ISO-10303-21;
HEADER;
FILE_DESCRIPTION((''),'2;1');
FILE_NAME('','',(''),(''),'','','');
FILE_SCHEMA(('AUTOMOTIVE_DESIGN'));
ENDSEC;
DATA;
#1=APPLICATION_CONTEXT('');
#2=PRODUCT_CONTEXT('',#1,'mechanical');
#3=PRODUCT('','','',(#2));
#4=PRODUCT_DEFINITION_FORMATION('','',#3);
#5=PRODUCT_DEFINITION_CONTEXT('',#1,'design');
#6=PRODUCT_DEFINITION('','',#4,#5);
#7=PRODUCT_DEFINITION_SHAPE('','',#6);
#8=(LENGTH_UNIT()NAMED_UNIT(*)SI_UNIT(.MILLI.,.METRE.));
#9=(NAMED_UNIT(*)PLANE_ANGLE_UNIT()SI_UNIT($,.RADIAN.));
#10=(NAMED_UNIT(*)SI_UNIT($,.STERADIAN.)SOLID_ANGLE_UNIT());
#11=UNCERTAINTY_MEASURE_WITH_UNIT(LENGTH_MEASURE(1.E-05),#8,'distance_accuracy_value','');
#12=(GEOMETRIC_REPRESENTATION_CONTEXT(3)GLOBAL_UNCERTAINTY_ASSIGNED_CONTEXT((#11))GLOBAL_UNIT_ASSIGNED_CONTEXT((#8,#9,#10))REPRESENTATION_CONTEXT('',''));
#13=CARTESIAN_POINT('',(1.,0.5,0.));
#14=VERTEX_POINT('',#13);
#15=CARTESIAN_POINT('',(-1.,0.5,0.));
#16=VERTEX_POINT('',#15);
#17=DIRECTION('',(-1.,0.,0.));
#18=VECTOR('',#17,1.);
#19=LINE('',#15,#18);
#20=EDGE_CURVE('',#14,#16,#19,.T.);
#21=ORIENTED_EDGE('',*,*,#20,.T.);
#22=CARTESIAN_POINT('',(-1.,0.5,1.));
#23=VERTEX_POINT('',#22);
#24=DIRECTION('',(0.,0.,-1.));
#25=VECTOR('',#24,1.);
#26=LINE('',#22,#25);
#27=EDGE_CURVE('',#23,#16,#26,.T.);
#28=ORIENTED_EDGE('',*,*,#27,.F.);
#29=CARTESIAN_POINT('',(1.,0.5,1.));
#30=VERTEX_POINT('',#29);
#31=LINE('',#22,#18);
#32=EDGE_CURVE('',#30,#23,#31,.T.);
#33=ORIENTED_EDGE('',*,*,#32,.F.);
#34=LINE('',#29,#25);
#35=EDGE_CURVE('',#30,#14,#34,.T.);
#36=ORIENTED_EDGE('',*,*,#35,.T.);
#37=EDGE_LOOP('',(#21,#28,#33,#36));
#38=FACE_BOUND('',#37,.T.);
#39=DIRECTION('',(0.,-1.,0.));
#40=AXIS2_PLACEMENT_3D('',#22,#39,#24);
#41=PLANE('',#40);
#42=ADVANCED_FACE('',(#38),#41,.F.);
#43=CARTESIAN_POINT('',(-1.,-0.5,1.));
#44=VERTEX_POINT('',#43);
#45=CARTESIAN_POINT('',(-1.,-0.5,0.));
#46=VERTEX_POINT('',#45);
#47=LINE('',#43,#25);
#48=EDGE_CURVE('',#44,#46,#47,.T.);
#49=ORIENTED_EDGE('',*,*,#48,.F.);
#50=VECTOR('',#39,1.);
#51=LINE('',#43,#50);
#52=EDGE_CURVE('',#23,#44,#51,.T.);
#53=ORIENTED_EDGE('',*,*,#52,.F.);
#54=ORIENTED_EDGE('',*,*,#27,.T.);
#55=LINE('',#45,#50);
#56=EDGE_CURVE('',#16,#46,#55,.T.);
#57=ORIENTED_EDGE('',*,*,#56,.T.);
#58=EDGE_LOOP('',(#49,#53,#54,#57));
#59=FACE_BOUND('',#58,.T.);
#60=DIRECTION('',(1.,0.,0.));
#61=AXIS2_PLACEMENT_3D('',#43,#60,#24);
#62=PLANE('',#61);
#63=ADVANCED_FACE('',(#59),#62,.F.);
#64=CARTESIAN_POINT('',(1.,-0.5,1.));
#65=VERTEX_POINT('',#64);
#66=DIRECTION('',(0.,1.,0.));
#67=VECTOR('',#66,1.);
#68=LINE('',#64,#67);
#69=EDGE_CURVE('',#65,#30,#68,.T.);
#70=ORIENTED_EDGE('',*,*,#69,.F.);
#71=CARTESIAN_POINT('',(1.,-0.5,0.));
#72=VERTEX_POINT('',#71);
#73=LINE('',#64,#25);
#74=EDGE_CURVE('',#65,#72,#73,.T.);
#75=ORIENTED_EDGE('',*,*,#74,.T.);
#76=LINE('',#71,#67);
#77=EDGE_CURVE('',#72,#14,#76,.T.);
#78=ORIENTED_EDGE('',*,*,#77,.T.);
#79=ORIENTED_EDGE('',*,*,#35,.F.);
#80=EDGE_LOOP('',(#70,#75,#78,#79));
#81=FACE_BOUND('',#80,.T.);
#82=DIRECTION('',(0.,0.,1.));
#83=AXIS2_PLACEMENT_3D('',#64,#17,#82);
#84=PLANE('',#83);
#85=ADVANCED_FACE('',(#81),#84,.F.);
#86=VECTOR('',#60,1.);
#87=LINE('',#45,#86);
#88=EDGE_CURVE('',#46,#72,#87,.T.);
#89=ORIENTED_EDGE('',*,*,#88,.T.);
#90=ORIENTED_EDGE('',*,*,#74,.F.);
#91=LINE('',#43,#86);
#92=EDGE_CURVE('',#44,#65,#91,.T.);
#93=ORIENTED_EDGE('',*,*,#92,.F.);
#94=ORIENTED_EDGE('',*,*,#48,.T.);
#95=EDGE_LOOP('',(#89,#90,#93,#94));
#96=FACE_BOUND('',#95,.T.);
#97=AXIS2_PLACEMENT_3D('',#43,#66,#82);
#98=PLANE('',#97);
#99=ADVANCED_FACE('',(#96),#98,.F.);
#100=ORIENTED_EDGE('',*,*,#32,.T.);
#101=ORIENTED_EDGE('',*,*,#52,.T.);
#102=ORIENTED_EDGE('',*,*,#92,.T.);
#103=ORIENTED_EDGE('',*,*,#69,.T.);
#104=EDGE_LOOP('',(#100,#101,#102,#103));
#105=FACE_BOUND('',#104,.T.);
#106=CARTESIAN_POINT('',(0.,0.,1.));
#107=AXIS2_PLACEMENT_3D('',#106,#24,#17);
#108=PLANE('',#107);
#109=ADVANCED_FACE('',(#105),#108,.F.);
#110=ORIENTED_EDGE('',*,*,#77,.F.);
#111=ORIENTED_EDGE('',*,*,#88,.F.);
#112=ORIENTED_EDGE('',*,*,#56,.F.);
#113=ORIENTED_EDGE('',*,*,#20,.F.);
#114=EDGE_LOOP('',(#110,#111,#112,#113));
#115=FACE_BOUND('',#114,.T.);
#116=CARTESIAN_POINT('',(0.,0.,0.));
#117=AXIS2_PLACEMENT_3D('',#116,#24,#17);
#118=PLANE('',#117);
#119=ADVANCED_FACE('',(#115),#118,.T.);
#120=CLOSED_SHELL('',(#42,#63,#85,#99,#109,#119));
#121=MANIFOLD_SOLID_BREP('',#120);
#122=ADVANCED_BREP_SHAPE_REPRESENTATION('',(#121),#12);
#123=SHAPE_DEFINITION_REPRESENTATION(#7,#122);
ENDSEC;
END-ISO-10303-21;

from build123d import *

# Parameters (mm, degrees)
SKETCH1_W           = 2
SKETCH1_H           = 1
BOSS_EXTRUDE1_DEPTH = 1


with BuildPart() as part:
    # Sketch1 → Boss-Extrude1 (new body)
    with BuildSketch(Plane.XY):
        Rectangle(SKETCH1_W, SKETCH1_H)
    extrude(amount=BOSS_EXTRUDE1_DEPTH)


solid = part.part
